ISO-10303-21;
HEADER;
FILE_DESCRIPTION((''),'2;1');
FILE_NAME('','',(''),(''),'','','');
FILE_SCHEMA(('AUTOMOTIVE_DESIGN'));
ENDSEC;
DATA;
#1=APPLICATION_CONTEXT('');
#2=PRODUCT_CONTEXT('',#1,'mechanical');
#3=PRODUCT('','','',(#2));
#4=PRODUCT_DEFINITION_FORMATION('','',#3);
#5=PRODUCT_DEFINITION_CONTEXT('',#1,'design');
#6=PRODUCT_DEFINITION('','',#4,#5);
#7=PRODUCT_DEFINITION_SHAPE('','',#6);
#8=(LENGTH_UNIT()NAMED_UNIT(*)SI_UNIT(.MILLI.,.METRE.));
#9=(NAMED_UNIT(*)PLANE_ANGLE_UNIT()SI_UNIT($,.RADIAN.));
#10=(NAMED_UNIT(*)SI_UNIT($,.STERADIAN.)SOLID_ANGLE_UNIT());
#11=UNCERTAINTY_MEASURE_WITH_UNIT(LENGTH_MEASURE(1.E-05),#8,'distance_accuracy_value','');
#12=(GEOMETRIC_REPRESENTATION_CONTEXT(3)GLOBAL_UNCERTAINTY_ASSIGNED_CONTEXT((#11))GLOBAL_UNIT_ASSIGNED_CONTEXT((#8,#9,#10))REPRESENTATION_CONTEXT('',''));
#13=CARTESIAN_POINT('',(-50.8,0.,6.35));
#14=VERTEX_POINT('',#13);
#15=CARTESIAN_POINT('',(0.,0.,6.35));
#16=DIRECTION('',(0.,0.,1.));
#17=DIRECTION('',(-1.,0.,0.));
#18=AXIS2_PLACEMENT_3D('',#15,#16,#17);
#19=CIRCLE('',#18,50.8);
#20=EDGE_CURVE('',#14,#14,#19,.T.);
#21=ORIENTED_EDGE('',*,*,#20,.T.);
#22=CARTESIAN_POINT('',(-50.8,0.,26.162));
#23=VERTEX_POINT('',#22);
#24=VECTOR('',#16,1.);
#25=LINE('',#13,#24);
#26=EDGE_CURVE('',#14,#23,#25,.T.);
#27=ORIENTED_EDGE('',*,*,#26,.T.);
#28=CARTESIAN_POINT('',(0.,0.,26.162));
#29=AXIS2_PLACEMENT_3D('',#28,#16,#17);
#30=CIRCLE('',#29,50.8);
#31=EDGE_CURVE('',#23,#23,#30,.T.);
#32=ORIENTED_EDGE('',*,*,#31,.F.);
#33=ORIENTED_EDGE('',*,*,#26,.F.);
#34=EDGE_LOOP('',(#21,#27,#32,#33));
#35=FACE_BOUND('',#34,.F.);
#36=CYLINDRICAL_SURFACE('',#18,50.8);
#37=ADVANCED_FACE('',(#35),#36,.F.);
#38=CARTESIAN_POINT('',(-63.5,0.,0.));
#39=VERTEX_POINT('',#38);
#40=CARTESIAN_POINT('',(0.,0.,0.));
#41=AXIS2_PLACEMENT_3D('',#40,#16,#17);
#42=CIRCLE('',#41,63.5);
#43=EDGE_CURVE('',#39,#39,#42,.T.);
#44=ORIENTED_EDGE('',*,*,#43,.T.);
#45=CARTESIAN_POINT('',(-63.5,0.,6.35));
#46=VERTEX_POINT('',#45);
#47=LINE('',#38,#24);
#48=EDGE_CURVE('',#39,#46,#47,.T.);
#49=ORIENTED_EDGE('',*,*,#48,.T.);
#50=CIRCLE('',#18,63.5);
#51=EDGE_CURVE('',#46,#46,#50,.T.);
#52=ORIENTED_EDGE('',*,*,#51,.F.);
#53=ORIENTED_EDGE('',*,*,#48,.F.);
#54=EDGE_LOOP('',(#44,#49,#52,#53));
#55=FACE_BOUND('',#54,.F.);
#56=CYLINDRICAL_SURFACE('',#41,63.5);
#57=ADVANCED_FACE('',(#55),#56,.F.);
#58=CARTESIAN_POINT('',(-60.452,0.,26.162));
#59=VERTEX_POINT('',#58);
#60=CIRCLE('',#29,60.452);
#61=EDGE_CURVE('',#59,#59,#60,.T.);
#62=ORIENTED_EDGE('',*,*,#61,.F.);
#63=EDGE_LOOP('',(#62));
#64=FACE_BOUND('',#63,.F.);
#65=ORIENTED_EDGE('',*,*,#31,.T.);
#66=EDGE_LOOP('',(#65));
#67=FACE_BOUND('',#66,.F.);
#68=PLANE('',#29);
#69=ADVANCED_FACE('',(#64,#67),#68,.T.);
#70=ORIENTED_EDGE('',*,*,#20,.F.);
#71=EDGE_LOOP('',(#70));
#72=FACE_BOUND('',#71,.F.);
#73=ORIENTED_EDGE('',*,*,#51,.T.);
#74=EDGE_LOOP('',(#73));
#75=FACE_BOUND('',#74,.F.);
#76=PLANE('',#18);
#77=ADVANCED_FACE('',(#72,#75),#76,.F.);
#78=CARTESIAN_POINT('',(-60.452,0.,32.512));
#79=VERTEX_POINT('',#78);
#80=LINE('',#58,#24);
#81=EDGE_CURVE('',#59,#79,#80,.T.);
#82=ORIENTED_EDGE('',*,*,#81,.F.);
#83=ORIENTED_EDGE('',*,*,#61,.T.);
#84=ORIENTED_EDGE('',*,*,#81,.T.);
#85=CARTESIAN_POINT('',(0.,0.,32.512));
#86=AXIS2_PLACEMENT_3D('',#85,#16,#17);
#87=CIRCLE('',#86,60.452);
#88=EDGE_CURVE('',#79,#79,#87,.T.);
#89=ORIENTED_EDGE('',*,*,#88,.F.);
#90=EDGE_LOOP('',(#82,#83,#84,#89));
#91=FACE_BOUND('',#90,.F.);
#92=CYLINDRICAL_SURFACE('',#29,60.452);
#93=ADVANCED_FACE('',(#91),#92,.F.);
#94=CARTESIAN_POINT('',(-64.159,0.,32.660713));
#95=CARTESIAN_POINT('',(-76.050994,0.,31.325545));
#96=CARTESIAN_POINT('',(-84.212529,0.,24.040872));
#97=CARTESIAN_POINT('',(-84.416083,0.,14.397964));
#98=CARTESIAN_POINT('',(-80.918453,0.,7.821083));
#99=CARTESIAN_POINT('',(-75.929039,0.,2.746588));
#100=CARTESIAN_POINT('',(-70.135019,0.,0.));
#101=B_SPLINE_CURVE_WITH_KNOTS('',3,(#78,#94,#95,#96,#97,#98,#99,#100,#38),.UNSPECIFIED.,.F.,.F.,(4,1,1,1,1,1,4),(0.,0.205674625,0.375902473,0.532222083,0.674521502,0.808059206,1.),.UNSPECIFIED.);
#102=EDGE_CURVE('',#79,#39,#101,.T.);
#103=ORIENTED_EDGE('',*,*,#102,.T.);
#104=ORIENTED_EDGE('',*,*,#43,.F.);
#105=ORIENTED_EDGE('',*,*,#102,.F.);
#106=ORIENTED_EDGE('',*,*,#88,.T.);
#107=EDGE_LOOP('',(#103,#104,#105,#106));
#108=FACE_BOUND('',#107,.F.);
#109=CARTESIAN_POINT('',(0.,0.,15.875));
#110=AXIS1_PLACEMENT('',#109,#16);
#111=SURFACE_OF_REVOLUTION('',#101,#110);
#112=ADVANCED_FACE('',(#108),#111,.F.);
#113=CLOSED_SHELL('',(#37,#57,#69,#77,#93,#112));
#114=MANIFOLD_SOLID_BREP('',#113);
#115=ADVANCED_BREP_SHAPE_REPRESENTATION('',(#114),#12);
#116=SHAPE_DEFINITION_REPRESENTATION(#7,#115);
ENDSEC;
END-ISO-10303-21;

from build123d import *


with BuildPart() as f2:
    # F1 (on Front) → F2 (revolve)
    with BuildSketch(Plane.XZ):
        with BuildLine():
            Line((-50.8, 26.162), (-60.452, 26.162))
            Line((-60.452, 26.162), (-60.452, 32.512))
            add(Edge.make_bspline(
                [(-60.452, 32.512), (-64.1589996185, 32.6607128687), (-76.0509938427, 31.3255448455), (-84.2125294202, 24.0408724834), (-84.4160828114, 14.3979644967), (-80.9184533009, 7.8210827122), (-75.929038505, 2.7465876009), (-70.1350190249, 0), (-63.5, 0)],
                knots=[0, 0, 0, 0, 0.205674625, 0.3759024732, 0.5322220825, 0.6745215015, 0.8080592056, 1, 1, 1, 1], degree=3))
            Line((-63.5, 0), (-63.5, 6.35))
            Line((-63.5, 6.35), (-50.8, 6.35))
            Line((-50.8, 6.35), (-50.8, 26.162))
        make_face()
    revolve(axis=Axis((0, 0, 15.875), (0, 0, 1)))


solid = f2.part
